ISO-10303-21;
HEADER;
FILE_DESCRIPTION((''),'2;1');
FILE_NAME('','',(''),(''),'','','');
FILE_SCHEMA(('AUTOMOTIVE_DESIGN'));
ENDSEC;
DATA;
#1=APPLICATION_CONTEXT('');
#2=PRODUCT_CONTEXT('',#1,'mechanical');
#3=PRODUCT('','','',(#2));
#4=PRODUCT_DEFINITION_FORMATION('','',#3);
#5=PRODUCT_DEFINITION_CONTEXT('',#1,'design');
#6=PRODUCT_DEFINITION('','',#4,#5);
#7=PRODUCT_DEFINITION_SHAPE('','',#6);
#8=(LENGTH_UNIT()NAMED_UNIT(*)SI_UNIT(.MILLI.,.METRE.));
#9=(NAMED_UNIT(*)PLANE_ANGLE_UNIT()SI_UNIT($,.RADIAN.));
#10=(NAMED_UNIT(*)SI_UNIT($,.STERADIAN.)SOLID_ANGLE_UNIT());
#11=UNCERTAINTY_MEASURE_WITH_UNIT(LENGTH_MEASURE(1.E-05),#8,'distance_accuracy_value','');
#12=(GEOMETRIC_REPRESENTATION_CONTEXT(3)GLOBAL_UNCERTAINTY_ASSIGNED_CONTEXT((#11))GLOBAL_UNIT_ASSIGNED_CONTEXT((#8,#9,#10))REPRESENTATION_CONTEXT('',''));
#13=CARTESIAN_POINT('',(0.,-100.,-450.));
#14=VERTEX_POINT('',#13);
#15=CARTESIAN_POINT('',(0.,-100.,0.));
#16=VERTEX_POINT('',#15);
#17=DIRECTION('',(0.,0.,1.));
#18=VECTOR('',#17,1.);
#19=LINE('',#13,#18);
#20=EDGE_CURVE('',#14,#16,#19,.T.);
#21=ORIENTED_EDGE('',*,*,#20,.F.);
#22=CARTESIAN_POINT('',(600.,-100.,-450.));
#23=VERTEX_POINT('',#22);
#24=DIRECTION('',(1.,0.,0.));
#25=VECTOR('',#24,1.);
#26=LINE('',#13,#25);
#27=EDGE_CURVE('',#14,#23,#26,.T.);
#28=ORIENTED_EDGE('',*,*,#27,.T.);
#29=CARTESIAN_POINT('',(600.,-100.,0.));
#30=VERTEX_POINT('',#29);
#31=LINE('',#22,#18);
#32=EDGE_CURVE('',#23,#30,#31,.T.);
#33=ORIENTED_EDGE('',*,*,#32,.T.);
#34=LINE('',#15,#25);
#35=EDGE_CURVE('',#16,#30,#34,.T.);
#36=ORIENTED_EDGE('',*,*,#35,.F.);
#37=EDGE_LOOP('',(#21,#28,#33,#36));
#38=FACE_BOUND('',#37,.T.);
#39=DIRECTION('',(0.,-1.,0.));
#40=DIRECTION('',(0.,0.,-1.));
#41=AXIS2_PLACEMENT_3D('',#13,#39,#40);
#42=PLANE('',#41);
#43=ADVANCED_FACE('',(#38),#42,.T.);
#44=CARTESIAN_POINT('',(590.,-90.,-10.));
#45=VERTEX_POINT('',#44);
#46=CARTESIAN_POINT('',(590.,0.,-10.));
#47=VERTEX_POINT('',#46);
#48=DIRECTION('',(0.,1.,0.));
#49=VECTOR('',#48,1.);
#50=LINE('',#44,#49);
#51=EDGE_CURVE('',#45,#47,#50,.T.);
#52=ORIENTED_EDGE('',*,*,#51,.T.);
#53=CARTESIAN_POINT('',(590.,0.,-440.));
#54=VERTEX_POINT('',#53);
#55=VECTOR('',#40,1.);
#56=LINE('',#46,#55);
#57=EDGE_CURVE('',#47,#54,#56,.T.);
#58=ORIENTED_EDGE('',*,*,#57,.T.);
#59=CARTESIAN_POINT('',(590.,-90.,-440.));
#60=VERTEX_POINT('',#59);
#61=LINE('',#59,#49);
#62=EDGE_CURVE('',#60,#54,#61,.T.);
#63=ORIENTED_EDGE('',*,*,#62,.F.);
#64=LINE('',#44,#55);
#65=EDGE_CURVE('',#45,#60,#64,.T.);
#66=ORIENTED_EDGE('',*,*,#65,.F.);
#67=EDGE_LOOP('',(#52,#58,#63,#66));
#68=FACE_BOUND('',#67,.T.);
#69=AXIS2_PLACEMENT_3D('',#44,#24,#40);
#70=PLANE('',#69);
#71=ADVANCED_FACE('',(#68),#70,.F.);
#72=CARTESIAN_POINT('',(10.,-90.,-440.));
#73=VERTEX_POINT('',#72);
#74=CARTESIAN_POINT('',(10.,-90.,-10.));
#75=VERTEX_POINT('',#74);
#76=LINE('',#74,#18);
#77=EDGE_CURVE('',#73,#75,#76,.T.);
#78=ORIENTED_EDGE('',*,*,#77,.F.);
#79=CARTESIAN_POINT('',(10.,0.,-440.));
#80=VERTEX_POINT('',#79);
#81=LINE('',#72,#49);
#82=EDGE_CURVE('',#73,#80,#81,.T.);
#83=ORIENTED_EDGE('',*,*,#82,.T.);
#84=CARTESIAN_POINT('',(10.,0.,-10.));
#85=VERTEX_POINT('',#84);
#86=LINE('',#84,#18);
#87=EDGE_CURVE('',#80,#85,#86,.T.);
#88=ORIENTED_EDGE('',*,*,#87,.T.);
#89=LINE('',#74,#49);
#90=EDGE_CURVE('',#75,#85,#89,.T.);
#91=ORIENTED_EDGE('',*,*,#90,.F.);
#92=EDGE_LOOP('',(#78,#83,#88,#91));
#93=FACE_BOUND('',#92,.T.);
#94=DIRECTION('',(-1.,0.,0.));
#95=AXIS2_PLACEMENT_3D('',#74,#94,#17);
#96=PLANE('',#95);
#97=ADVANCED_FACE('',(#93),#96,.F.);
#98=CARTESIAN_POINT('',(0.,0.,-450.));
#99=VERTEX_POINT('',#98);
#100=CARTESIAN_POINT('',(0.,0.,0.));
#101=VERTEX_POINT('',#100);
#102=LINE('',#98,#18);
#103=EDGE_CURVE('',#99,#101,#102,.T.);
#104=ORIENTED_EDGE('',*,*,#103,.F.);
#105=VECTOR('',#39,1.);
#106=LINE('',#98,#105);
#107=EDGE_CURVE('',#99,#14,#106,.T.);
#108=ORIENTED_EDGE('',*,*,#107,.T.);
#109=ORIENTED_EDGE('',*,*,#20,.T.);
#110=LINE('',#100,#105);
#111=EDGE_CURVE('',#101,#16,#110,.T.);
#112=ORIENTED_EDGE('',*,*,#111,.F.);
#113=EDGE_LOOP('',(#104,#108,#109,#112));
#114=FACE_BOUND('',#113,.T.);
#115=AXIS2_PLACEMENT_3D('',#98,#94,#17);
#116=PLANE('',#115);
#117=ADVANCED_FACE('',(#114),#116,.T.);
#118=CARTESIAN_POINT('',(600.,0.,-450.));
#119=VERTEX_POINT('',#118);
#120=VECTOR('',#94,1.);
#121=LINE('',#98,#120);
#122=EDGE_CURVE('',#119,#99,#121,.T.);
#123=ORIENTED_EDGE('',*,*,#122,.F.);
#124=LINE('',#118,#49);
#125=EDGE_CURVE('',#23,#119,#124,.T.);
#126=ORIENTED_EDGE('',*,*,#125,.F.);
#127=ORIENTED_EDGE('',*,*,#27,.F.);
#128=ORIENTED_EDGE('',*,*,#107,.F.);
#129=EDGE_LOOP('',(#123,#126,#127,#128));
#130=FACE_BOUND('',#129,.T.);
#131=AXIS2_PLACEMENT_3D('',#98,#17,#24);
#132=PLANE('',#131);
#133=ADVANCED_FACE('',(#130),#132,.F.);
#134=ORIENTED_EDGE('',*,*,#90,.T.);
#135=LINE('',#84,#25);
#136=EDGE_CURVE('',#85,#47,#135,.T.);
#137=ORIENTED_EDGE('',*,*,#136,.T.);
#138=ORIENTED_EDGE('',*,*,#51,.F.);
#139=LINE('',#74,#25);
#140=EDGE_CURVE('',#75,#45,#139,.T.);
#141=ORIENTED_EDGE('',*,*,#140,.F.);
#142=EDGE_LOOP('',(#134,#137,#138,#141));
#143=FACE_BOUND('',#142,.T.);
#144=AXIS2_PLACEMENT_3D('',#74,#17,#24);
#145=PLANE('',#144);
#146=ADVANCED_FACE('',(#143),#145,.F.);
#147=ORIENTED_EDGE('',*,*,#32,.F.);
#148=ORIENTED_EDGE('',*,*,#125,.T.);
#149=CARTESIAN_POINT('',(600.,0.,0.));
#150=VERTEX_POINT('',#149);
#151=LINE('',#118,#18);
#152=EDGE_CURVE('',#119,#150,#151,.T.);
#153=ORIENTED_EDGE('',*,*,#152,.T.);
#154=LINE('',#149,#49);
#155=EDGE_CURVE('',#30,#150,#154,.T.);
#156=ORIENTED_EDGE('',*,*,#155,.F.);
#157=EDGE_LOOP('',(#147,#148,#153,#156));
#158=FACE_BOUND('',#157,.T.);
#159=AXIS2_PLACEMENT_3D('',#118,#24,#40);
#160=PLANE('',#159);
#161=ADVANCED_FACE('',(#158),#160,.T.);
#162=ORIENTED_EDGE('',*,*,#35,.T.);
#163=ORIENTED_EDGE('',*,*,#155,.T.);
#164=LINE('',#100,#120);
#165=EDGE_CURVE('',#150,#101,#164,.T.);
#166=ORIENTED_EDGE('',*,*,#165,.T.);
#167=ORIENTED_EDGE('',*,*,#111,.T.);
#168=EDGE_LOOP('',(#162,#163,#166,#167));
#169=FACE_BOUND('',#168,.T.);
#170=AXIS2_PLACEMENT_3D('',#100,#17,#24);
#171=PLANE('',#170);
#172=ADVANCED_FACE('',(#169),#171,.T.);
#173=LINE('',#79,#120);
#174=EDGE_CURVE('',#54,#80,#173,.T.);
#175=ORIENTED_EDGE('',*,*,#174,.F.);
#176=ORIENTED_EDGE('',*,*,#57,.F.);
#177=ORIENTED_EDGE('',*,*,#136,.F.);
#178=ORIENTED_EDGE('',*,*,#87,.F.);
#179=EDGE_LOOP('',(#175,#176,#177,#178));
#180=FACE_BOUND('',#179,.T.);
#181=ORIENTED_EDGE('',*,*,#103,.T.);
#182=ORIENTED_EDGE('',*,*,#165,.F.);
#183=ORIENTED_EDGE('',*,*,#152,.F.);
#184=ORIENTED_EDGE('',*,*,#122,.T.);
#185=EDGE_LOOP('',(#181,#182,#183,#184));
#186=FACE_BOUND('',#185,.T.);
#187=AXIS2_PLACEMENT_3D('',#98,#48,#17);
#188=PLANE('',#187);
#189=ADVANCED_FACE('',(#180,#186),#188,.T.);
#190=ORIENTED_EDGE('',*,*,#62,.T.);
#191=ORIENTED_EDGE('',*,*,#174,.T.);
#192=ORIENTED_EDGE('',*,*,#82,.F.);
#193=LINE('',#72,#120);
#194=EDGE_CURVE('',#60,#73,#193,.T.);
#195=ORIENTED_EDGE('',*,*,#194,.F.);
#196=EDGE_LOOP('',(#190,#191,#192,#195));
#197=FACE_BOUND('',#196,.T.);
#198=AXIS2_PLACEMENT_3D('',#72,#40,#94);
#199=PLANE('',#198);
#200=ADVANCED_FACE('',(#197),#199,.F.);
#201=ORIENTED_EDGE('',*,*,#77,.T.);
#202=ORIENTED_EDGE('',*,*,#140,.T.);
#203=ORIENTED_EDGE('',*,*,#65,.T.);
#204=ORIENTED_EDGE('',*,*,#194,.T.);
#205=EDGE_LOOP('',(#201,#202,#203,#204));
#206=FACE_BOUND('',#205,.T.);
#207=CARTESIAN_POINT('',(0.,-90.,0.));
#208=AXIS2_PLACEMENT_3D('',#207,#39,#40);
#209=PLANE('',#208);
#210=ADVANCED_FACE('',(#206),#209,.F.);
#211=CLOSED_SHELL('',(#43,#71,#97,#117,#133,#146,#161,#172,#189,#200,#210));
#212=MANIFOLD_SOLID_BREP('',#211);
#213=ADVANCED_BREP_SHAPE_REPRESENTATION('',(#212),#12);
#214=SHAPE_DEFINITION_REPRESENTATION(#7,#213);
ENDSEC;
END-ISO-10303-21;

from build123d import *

# Parameters (mm, degrees)
CROQUIS1_W              = 600
CROQUIS1_H              = 100
SALIENTE_EXTRUIR1_DEPTH = 450
CROQUIS2_W              = 580
CROQUIS2_H              = 430
CORTAR_EXTRUIR1_DEPTH   = 90


with BuildPart() as part:
    # Croquis1 → Saliente-Extruir1 (new body)
    with BuildSketch(Plane.XY):
        with Locations((300, -50)):
            Rectangle(CROQUIS1_W, CROQUIS1_H)
    extrude(amount=-SALIENTE_EXTRUIR1_DEPTH)

    # Croquis2 → Cortar-Extruir1 (cut)
    with BuildSketch(Plane(origin=(0, 0, 0), x_dir=(1, 0, 0), z_dir=(0, 1, 0))):
        with Locations((300, 225)):
            Rectangle(CROQUIS2_W, CROQUIS2_H)
    extrude(amount=-CORTAR_EXTRUIR1_DEPTH, mode=Mode.SUBTRACT)


solid = part.part
